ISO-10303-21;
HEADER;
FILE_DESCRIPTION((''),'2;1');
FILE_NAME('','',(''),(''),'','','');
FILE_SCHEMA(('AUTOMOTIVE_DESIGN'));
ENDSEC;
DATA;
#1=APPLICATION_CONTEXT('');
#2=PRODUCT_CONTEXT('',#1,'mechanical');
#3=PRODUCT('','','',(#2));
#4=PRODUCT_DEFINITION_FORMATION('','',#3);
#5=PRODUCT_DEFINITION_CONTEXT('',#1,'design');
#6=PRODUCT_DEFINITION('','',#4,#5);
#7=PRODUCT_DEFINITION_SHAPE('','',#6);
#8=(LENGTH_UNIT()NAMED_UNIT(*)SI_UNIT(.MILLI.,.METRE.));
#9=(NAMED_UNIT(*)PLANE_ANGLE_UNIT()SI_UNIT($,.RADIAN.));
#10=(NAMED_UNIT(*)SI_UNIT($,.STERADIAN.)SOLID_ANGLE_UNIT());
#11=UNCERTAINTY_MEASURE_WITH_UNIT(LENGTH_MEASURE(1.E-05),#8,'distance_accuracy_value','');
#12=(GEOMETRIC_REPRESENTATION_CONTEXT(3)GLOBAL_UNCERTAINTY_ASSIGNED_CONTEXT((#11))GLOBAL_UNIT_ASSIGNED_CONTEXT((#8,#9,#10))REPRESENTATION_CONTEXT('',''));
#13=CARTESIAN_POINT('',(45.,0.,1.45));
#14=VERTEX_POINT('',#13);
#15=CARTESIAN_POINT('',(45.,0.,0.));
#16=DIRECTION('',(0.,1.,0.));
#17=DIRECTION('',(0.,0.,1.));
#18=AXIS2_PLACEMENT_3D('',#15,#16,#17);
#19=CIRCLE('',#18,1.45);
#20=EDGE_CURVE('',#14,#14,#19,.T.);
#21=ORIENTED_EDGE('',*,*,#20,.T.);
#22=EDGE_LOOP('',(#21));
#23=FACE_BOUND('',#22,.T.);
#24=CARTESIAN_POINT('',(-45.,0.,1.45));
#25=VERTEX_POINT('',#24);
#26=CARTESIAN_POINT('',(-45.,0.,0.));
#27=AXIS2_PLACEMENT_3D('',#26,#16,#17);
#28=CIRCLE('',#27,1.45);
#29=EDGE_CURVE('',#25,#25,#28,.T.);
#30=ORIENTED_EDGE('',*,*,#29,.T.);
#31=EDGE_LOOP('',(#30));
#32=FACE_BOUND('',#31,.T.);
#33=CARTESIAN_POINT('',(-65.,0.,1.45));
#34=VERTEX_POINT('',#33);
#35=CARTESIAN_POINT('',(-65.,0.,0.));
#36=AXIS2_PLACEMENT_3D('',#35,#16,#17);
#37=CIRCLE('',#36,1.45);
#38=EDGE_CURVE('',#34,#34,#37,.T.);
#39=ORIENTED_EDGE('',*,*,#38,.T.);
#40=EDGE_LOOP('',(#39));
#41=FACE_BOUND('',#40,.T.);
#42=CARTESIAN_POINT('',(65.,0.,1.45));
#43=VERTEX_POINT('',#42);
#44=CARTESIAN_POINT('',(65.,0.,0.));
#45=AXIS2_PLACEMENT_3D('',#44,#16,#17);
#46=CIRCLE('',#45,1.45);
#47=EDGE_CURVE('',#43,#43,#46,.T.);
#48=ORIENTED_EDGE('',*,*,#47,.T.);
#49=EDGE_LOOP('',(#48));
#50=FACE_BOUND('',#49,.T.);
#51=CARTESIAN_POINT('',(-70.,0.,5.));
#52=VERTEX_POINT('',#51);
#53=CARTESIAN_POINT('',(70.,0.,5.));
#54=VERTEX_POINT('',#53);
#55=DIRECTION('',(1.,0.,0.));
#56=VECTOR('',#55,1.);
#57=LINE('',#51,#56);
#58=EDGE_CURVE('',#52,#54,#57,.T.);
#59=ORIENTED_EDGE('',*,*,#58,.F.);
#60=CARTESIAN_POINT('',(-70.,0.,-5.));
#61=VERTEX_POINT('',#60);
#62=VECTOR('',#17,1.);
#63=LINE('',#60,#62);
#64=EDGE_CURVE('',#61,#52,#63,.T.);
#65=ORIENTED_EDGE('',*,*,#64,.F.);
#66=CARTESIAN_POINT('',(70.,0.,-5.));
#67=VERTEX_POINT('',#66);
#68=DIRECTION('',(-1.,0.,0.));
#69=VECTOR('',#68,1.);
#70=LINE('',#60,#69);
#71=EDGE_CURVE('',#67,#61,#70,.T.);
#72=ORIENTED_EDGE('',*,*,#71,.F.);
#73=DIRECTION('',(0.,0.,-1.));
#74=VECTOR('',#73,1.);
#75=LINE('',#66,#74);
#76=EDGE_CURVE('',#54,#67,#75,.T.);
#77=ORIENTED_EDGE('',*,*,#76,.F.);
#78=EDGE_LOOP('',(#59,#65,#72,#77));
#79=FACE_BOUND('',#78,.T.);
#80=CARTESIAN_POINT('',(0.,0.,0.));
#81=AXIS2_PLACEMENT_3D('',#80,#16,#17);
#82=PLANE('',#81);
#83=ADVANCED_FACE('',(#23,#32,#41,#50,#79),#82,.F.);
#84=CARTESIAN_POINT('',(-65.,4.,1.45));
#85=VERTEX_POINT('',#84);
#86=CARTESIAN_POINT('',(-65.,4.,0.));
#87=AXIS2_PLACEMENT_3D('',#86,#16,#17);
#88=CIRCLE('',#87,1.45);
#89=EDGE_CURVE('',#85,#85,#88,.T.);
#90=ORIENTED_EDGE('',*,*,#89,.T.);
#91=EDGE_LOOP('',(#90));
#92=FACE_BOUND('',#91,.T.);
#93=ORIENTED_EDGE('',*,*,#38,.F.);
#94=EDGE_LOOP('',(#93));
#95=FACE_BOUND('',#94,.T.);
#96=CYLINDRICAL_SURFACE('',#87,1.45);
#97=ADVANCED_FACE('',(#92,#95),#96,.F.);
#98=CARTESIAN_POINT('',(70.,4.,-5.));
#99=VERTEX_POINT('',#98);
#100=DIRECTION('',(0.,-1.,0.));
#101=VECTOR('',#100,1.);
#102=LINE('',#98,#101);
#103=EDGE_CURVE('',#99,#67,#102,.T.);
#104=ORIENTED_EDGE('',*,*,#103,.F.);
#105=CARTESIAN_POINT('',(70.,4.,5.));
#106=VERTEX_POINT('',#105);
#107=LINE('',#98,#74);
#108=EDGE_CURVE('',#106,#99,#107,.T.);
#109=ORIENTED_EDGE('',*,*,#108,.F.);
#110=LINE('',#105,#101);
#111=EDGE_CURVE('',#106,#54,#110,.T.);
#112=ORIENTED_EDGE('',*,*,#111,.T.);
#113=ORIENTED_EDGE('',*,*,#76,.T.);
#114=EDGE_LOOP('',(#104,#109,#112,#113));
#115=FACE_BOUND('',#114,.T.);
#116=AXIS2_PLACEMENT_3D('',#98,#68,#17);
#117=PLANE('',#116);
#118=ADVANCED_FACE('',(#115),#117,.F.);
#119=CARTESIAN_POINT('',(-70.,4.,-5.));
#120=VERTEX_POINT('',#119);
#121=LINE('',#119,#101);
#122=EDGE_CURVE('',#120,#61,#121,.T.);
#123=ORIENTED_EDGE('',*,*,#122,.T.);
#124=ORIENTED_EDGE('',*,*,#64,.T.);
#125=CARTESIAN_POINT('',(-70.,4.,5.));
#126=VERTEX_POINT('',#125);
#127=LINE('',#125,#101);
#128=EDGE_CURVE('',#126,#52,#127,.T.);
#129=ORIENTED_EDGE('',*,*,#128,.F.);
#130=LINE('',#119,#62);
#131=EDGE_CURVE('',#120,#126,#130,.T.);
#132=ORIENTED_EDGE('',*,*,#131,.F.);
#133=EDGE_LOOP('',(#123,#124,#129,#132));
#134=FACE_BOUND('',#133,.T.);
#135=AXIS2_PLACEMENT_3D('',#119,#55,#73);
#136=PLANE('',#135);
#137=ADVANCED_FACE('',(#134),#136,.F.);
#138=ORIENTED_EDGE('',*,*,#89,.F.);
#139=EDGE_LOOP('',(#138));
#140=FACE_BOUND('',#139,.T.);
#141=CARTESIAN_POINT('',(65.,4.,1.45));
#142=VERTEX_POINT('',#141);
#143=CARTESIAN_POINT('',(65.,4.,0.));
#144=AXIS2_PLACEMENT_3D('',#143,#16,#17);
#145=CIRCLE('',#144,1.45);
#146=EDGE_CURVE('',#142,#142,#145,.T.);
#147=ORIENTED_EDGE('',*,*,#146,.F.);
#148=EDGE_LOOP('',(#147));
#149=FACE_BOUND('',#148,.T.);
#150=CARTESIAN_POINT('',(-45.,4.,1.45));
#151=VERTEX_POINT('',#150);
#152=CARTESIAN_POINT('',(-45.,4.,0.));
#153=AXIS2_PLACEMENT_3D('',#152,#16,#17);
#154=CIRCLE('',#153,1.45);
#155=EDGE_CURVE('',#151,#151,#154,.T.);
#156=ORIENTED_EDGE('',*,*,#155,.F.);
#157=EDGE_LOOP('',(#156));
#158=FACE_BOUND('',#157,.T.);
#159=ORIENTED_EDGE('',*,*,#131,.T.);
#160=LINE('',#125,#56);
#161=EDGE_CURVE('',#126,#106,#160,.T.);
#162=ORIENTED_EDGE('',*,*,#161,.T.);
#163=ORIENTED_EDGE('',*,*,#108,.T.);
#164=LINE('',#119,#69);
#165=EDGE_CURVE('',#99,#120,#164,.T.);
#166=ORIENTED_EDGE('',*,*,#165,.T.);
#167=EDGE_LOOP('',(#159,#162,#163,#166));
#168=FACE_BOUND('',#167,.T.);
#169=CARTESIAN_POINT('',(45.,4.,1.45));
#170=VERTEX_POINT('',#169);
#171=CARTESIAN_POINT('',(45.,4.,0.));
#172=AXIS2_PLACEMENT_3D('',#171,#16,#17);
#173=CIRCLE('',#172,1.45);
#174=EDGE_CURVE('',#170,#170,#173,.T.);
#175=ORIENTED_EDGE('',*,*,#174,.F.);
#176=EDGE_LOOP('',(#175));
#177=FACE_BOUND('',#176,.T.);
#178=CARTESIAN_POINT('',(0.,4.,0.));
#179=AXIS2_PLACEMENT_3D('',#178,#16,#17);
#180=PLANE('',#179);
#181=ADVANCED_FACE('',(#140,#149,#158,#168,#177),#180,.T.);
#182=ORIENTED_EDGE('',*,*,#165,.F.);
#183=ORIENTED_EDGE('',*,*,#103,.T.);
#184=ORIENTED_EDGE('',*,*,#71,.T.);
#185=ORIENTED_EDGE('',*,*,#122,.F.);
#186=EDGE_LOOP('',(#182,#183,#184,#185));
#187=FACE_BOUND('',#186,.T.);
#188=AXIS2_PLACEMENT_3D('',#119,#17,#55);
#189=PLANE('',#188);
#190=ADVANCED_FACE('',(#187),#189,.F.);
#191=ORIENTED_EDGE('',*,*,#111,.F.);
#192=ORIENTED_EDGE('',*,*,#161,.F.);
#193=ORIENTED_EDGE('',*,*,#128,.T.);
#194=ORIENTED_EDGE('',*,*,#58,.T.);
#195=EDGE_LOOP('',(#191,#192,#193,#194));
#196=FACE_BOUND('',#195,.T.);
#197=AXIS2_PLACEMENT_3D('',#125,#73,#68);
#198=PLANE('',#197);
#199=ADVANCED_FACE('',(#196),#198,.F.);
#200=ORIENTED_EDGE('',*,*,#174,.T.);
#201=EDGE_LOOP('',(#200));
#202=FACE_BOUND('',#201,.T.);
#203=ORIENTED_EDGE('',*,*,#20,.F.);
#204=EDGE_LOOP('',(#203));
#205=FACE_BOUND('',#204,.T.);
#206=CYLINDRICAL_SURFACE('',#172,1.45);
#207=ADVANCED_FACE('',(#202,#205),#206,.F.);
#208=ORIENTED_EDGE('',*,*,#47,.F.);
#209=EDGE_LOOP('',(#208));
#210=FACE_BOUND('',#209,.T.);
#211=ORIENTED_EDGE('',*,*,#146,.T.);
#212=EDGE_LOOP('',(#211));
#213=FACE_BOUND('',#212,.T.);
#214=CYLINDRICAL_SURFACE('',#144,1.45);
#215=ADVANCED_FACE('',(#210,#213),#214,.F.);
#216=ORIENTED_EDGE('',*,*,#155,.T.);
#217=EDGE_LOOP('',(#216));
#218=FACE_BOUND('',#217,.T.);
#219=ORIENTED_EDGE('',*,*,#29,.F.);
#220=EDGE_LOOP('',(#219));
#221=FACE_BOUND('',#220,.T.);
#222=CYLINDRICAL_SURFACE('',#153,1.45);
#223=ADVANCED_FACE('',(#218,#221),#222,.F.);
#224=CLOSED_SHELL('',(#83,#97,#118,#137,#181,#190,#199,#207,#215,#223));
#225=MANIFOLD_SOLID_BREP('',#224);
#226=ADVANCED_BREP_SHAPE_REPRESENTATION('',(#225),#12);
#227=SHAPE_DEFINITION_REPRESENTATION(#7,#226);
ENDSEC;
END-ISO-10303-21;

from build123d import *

# Parameters (mm, degrees)
SKETCH1_W              = 140
SKETCH1_H              = 10
BOSS_EXTRUDE1_DEPTH    = 4
M2_5_CLEARANCE_HOLE1_D = 2.9


with BuildPart() as part:
    # Sketch1 → Boss-Extrude1 (new body)
    with BuildSketch(Plane(origin=(0, 0, 0), x_dir=(1, 0, 0), z_dir=(0, 1, 0))):
        Rectangle(SKETCH1_W, SKETCH1_H)
    extrude(amount=BOSS_EXTRUDE1_DEPTH)

    # M2.5 Clearance Hole1 (through all)
    with Locations(Plane(origin=(0, 4, 0), x_dir=(1, 0, 0), z_dir=(0, 1, 0))):
        with Locations((-65, 0), (65, 0), (-45, 0), (45, 0)):
            Hole(M2_5_CLEARANCE_HOLE1_D / 2)


solid = part.part
